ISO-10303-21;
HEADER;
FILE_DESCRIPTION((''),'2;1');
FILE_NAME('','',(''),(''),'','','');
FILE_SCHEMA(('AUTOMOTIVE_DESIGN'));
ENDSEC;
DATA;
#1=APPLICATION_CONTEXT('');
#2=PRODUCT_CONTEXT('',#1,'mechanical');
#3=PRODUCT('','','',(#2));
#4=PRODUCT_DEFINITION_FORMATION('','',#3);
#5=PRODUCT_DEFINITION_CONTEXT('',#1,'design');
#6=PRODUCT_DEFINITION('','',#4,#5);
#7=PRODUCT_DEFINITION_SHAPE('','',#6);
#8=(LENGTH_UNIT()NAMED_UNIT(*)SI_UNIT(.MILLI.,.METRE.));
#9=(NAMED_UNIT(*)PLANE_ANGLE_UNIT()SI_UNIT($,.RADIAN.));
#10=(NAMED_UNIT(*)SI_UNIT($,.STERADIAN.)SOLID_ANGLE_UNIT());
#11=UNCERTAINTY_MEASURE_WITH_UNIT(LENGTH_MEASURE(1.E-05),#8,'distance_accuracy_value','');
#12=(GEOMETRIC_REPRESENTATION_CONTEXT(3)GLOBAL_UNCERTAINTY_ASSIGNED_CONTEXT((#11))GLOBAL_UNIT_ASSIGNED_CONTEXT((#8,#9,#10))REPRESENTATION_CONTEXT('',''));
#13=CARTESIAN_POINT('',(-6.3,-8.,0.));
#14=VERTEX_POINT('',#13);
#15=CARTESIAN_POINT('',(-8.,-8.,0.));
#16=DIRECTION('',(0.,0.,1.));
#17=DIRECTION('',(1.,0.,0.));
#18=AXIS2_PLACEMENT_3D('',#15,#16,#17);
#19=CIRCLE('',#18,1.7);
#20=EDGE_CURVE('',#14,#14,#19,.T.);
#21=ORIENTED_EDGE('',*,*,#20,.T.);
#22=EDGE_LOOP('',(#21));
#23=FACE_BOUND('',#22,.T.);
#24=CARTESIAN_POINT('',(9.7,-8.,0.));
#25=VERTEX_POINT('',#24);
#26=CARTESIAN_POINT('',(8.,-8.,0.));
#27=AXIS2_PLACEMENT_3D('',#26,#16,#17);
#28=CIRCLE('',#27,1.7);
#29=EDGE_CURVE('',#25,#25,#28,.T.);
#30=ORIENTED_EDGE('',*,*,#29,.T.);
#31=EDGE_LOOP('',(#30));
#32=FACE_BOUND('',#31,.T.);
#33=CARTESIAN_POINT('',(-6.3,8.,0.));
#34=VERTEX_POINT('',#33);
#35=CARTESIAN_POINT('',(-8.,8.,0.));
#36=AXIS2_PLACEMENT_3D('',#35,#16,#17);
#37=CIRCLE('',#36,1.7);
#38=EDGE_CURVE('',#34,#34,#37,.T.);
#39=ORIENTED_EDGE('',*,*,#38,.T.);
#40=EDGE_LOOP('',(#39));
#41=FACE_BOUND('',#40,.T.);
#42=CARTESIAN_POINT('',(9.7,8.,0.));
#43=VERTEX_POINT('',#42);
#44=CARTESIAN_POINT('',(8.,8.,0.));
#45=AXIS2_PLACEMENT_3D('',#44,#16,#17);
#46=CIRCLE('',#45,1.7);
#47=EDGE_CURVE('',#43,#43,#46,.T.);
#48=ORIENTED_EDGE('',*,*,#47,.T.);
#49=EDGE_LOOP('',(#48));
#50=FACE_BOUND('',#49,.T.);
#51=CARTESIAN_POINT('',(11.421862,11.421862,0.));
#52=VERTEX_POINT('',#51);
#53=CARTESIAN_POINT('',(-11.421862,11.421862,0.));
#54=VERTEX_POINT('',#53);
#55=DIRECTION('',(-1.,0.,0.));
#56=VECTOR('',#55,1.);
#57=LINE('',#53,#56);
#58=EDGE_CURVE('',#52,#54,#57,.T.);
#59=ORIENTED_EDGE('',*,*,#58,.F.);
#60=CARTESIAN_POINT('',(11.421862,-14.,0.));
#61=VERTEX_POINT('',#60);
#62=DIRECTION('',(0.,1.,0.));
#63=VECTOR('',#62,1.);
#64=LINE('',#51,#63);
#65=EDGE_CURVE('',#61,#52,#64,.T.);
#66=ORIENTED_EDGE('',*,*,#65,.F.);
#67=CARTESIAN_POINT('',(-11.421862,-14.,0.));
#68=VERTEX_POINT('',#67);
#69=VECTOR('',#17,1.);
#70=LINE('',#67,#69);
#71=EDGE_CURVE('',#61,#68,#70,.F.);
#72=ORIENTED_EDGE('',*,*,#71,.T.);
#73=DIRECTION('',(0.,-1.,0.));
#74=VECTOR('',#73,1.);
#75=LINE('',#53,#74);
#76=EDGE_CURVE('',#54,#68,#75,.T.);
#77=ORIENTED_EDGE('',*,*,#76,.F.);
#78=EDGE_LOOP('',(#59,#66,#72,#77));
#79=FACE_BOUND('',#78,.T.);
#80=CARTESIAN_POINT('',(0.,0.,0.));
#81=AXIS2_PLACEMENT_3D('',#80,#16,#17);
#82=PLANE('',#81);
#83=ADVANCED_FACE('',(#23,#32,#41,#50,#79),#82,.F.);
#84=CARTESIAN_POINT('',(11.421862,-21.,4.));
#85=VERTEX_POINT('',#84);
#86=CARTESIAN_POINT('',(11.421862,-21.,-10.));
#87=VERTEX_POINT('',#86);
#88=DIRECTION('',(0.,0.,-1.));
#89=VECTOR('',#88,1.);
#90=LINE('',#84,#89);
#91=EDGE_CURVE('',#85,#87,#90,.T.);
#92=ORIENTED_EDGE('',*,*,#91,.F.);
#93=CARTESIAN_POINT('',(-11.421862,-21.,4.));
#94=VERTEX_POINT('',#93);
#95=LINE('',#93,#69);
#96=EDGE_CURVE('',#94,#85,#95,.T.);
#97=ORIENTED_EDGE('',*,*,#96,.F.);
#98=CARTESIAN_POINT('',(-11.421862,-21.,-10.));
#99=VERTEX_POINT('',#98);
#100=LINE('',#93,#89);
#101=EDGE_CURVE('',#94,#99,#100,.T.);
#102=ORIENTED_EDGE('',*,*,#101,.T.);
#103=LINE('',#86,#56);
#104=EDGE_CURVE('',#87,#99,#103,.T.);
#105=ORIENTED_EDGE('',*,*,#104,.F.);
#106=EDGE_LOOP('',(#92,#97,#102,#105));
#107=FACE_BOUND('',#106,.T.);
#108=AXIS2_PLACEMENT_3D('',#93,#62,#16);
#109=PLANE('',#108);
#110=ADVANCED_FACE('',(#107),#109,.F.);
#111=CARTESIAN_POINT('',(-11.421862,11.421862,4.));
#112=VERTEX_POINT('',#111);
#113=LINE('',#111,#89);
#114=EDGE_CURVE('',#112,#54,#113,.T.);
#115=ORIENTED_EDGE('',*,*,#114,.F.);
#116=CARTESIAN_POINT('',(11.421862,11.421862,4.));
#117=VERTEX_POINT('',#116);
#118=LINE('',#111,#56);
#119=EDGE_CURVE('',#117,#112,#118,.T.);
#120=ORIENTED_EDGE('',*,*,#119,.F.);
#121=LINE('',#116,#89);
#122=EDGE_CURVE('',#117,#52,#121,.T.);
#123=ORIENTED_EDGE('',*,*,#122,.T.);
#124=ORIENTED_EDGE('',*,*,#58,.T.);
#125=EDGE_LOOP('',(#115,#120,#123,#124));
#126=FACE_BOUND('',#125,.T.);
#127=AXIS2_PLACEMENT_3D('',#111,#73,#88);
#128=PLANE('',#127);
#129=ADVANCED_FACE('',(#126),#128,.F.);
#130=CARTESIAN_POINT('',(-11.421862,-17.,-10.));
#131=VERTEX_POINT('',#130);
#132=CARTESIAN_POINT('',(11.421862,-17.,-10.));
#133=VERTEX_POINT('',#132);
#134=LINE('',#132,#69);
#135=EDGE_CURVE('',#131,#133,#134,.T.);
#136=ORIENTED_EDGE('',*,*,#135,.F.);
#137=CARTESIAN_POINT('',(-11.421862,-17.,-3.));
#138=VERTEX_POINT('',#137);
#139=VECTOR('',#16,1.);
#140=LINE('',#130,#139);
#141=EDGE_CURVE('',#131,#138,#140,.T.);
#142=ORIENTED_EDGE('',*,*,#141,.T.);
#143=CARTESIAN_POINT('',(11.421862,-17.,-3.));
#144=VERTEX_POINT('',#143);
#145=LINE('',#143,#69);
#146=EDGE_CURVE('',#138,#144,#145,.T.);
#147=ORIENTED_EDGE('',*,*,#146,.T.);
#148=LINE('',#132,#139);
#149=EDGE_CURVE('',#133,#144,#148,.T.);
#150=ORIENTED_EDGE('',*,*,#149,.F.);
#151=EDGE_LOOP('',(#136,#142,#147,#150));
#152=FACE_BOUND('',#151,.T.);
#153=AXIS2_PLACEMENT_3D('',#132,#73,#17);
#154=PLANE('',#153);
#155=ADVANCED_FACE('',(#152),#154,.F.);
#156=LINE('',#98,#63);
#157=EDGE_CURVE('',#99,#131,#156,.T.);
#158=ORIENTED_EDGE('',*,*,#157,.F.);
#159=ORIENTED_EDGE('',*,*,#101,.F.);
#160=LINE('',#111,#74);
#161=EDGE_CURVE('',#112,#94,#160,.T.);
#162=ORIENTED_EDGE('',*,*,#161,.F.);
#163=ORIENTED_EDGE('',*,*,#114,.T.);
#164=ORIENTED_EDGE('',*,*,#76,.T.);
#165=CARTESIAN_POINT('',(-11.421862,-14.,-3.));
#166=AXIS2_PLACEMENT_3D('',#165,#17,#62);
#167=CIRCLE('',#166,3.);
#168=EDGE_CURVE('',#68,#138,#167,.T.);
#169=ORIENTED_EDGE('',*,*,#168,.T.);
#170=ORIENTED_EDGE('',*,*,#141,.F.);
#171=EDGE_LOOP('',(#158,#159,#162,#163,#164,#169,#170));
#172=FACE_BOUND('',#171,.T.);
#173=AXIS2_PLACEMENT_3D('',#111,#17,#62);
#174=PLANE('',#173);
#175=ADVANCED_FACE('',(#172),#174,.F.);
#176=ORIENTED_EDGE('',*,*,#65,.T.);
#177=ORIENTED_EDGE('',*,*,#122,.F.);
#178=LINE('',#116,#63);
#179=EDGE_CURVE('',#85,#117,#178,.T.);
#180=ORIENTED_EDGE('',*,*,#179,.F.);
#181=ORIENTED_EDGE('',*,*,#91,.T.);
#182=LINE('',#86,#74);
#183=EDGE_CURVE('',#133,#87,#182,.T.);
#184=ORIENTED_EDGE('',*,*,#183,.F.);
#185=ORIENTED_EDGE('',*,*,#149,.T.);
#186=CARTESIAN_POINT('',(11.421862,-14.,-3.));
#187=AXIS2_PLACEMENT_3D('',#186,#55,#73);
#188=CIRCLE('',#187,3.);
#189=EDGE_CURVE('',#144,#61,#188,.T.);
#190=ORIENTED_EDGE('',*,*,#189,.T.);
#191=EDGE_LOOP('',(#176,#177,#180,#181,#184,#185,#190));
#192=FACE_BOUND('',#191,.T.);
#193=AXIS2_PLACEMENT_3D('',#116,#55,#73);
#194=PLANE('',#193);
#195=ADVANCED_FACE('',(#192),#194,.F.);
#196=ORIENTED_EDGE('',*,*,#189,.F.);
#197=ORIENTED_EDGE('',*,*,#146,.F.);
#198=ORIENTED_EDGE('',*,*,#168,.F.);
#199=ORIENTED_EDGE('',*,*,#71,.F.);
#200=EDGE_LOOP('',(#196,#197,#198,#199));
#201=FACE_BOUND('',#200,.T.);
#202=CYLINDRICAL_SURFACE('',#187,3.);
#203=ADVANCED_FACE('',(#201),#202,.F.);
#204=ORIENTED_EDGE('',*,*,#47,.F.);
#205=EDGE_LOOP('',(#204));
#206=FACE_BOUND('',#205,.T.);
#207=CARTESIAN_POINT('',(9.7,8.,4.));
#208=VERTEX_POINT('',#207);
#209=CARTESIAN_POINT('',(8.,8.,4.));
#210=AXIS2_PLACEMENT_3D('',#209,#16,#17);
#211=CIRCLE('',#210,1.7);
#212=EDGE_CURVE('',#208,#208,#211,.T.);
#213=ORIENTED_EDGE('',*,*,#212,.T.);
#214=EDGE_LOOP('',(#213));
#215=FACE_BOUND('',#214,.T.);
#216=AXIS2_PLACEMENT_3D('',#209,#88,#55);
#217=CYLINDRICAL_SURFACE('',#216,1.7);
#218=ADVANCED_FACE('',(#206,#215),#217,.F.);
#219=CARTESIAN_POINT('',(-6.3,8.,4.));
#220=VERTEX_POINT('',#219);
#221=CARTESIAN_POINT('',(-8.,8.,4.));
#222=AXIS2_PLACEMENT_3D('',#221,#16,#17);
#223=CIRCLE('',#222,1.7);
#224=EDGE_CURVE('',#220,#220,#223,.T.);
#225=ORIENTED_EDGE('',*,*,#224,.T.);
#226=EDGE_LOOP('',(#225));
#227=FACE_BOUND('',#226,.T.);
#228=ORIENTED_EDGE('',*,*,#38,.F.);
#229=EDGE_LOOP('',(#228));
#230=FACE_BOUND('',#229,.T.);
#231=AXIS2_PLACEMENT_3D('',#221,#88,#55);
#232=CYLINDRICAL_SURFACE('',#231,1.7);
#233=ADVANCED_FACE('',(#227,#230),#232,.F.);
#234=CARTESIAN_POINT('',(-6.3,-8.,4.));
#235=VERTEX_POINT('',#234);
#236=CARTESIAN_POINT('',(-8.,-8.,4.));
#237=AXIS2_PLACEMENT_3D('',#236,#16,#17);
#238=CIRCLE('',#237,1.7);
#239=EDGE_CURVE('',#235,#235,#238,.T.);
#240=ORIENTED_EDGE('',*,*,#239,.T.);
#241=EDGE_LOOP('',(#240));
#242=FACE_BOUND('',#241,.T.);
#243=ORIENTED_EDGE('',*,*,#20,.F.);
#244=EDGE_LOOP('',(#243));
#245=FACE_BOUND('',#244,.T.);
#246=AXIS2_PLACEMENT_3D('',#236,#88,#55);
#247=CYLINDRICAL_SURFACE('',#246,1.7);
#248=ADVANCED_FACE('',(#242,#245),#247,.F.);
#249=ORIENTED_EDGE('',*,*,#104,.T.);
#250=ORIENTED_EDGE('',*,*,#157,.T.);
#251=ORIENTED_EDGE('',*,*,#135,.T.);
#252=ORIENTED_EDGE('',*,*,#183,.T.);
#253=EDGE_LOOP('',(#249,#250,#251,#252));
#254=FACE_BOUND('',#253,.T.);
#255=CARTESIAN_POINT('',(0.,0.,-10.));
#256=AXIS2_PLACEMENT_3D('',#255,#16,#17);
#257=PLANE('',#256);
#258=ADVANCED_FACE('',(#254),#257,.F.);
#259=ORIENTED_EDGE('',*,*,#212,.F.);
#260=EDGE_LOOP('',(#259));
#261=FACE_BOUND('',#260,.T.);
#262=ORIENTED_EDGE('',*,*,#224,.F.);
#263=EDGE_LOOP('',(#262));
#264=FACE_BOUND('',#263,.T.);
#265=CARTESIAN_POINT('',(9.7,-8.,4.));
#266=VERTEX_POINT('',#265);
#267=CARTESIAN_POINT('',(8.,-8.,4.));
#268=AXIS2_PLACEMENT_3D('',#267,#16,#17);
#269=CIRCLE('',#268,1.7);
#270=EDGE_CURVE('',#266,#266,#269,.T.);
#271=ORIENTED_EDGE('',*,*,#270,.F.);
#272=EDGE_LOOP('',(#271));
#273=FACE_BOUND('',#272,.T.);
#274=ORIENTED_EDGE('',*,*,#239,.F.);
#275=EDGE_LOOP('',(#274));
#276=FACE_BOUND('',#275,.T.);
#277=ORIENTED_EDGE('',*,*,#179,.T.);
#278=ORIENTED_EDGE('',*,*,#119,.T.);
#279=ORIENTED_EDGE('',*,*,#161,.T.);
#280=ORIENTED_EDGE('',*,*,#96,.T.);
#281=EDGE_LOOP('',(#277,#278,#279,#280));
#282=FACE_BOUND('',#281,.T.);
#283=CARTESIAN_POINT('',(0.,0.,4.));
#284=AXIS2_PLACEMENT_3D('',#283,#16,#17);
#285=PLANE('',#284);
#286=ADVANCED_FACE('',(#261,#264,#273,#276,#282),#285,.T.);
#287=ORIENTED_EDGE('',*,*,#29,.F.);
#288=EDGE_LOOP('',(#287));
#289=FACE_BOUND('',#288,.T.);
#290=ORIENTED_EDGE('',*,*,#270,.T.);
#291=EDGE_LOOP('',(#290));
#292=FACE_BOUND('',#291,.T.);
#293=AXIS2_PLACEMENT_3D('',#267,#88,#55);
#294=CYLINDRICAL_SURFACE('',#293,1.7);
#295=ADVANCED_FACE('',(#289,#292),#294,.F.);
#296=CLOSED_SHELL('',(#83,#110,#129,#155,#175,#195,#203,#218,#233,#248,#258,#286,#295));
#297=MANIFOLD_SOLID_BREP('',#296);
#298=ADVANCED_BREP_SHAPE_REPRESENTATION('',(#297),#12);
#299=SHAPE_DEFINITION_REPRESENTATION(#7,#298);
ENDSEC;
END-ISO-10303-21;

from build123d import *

# Parameters (mm, degrees)
SKETCH1_W           = 22.84372425
SKETCH1_H           = 22.84372425
SKETCH1_R           = 1.7
BOSS_EXTRUDE1_DEPTH = 4
SKETCH2_W           = 22.84372425
SKETCH2_H           = 9.578137875
BOSS_EXTRUDE2_DEPTH = 4
SKETCH3_W           = 22.84372425
SKETCH3_H           = 4
BOSS_EXTRUDE3_DEPTH = 10
FILLET1_R           = 3


with BuildPart() as part:
    # Sketch1 → Boss-Extrude1 (new body)
    with BuildSketch(Plane.XY):
        Rectangle(SKETCH1_W, SKETCH1_H)
        with Locations((-8, 8)):
            Circle(SKETCH1_R, mode=Mode.SUBTRACT)
        with Locations((8, 8)):
            Circle(SKETCH1_R, mode=Mode.SUBTRACT)
        with Locations((8, -8)):
            Circle(SKETCH1_R, mode=Mode.SUBTRACT)
        with Locations((-8, -8)):
            Circle(SKETCH1_R, mode=Mode.SUBTRACT)
    extrude(amount=BOSS_EXTRUDE1_DEPTH)

    # Sketch2 → Boss-Extrude2 (add)
    with BuildSketch(Plane.XY):
        with Locations((0, -16.210931063)):
            Rectangle(SKETCH2_W, SKETCH2_H)
    extrude(amount=BOSS_EXTRUDE2_DEPTH)

    # Sketch3 → Boss-Extrude3 (add)
    with BuildSketch(Plane(origin=(0, 0, 0), x_dir=(-1, 0, 0), z_dir=(0, 0, -1))):
        with Locations((0, -19)):
            Rectangle(SKETCH3_W, SKETCH3_H)
    extrude(amount=BOSS_EXTRUDE3_DEPTH)

    # Fillet1
    fillet1_edges = [part.edges().sort_by_distance(p)[0] for p in [
        (0, -17, 0),
    ]]
    fillet(fillet1_edges, radius=FILLET1_R)


solid = part.part
